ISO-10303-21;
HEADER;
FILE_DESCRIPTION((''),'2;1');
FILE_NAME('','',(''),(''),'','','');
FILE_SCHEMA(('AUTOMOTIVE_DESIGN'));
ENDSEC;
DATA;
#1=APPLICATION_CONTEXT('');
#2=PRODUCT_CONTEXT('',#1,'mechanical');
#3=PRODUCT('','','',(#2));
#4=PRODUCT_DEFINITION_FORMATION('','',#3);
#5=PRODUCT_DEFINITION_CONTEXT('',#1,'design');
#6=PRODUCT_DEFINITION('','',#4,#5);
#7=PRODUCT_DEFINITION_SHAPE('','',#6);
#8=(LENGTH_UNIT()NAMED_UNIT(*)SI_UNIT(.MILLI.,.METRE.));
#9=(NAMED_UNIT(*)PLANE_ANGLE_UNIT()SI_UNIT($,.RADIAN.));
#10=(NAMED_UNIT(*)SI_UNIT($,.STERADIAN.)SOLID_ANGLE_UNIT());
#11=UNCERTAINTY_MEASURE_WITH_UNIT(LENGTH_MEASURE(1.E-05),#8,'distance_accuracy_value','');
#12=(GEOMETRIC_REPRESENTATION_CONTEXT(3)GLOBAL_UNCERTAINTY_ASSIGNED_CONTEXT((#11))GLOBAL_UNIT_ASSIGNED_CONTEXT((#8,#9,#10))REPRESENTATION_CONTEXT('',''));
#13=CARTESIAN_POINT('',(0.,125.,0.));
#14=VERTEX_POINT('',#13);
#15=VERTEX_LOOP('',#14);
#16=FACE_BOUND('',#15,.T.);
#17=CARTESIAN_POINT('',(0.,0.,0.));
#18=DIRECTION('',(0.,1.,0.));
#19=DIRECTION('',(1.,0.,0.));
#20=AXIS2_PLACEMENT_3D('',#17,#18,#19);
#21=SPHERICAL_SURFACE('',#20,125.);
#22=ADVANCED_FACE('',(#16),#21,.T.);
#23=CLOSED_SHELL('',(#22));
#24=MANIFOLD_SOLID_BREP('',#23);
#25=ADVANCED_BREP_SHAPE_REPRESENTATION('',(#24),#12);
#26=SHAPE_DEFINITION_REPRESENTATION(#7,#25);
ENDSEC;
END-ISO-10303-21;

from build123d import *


with BuildPart() as part:
    # ｽｹｯﾁ1 → 回転1 (revolve)
    with BuildSketch(Plane.XY):
        with BuildLine():
            ThreePointArc((0, 125), (125, 0), (0, -125))
            Line((0, -125), (0, 125))
        make_face()
    revolve(axis=Axis((0, 125, 0), (0, -1, 0)))


solid = part.part
